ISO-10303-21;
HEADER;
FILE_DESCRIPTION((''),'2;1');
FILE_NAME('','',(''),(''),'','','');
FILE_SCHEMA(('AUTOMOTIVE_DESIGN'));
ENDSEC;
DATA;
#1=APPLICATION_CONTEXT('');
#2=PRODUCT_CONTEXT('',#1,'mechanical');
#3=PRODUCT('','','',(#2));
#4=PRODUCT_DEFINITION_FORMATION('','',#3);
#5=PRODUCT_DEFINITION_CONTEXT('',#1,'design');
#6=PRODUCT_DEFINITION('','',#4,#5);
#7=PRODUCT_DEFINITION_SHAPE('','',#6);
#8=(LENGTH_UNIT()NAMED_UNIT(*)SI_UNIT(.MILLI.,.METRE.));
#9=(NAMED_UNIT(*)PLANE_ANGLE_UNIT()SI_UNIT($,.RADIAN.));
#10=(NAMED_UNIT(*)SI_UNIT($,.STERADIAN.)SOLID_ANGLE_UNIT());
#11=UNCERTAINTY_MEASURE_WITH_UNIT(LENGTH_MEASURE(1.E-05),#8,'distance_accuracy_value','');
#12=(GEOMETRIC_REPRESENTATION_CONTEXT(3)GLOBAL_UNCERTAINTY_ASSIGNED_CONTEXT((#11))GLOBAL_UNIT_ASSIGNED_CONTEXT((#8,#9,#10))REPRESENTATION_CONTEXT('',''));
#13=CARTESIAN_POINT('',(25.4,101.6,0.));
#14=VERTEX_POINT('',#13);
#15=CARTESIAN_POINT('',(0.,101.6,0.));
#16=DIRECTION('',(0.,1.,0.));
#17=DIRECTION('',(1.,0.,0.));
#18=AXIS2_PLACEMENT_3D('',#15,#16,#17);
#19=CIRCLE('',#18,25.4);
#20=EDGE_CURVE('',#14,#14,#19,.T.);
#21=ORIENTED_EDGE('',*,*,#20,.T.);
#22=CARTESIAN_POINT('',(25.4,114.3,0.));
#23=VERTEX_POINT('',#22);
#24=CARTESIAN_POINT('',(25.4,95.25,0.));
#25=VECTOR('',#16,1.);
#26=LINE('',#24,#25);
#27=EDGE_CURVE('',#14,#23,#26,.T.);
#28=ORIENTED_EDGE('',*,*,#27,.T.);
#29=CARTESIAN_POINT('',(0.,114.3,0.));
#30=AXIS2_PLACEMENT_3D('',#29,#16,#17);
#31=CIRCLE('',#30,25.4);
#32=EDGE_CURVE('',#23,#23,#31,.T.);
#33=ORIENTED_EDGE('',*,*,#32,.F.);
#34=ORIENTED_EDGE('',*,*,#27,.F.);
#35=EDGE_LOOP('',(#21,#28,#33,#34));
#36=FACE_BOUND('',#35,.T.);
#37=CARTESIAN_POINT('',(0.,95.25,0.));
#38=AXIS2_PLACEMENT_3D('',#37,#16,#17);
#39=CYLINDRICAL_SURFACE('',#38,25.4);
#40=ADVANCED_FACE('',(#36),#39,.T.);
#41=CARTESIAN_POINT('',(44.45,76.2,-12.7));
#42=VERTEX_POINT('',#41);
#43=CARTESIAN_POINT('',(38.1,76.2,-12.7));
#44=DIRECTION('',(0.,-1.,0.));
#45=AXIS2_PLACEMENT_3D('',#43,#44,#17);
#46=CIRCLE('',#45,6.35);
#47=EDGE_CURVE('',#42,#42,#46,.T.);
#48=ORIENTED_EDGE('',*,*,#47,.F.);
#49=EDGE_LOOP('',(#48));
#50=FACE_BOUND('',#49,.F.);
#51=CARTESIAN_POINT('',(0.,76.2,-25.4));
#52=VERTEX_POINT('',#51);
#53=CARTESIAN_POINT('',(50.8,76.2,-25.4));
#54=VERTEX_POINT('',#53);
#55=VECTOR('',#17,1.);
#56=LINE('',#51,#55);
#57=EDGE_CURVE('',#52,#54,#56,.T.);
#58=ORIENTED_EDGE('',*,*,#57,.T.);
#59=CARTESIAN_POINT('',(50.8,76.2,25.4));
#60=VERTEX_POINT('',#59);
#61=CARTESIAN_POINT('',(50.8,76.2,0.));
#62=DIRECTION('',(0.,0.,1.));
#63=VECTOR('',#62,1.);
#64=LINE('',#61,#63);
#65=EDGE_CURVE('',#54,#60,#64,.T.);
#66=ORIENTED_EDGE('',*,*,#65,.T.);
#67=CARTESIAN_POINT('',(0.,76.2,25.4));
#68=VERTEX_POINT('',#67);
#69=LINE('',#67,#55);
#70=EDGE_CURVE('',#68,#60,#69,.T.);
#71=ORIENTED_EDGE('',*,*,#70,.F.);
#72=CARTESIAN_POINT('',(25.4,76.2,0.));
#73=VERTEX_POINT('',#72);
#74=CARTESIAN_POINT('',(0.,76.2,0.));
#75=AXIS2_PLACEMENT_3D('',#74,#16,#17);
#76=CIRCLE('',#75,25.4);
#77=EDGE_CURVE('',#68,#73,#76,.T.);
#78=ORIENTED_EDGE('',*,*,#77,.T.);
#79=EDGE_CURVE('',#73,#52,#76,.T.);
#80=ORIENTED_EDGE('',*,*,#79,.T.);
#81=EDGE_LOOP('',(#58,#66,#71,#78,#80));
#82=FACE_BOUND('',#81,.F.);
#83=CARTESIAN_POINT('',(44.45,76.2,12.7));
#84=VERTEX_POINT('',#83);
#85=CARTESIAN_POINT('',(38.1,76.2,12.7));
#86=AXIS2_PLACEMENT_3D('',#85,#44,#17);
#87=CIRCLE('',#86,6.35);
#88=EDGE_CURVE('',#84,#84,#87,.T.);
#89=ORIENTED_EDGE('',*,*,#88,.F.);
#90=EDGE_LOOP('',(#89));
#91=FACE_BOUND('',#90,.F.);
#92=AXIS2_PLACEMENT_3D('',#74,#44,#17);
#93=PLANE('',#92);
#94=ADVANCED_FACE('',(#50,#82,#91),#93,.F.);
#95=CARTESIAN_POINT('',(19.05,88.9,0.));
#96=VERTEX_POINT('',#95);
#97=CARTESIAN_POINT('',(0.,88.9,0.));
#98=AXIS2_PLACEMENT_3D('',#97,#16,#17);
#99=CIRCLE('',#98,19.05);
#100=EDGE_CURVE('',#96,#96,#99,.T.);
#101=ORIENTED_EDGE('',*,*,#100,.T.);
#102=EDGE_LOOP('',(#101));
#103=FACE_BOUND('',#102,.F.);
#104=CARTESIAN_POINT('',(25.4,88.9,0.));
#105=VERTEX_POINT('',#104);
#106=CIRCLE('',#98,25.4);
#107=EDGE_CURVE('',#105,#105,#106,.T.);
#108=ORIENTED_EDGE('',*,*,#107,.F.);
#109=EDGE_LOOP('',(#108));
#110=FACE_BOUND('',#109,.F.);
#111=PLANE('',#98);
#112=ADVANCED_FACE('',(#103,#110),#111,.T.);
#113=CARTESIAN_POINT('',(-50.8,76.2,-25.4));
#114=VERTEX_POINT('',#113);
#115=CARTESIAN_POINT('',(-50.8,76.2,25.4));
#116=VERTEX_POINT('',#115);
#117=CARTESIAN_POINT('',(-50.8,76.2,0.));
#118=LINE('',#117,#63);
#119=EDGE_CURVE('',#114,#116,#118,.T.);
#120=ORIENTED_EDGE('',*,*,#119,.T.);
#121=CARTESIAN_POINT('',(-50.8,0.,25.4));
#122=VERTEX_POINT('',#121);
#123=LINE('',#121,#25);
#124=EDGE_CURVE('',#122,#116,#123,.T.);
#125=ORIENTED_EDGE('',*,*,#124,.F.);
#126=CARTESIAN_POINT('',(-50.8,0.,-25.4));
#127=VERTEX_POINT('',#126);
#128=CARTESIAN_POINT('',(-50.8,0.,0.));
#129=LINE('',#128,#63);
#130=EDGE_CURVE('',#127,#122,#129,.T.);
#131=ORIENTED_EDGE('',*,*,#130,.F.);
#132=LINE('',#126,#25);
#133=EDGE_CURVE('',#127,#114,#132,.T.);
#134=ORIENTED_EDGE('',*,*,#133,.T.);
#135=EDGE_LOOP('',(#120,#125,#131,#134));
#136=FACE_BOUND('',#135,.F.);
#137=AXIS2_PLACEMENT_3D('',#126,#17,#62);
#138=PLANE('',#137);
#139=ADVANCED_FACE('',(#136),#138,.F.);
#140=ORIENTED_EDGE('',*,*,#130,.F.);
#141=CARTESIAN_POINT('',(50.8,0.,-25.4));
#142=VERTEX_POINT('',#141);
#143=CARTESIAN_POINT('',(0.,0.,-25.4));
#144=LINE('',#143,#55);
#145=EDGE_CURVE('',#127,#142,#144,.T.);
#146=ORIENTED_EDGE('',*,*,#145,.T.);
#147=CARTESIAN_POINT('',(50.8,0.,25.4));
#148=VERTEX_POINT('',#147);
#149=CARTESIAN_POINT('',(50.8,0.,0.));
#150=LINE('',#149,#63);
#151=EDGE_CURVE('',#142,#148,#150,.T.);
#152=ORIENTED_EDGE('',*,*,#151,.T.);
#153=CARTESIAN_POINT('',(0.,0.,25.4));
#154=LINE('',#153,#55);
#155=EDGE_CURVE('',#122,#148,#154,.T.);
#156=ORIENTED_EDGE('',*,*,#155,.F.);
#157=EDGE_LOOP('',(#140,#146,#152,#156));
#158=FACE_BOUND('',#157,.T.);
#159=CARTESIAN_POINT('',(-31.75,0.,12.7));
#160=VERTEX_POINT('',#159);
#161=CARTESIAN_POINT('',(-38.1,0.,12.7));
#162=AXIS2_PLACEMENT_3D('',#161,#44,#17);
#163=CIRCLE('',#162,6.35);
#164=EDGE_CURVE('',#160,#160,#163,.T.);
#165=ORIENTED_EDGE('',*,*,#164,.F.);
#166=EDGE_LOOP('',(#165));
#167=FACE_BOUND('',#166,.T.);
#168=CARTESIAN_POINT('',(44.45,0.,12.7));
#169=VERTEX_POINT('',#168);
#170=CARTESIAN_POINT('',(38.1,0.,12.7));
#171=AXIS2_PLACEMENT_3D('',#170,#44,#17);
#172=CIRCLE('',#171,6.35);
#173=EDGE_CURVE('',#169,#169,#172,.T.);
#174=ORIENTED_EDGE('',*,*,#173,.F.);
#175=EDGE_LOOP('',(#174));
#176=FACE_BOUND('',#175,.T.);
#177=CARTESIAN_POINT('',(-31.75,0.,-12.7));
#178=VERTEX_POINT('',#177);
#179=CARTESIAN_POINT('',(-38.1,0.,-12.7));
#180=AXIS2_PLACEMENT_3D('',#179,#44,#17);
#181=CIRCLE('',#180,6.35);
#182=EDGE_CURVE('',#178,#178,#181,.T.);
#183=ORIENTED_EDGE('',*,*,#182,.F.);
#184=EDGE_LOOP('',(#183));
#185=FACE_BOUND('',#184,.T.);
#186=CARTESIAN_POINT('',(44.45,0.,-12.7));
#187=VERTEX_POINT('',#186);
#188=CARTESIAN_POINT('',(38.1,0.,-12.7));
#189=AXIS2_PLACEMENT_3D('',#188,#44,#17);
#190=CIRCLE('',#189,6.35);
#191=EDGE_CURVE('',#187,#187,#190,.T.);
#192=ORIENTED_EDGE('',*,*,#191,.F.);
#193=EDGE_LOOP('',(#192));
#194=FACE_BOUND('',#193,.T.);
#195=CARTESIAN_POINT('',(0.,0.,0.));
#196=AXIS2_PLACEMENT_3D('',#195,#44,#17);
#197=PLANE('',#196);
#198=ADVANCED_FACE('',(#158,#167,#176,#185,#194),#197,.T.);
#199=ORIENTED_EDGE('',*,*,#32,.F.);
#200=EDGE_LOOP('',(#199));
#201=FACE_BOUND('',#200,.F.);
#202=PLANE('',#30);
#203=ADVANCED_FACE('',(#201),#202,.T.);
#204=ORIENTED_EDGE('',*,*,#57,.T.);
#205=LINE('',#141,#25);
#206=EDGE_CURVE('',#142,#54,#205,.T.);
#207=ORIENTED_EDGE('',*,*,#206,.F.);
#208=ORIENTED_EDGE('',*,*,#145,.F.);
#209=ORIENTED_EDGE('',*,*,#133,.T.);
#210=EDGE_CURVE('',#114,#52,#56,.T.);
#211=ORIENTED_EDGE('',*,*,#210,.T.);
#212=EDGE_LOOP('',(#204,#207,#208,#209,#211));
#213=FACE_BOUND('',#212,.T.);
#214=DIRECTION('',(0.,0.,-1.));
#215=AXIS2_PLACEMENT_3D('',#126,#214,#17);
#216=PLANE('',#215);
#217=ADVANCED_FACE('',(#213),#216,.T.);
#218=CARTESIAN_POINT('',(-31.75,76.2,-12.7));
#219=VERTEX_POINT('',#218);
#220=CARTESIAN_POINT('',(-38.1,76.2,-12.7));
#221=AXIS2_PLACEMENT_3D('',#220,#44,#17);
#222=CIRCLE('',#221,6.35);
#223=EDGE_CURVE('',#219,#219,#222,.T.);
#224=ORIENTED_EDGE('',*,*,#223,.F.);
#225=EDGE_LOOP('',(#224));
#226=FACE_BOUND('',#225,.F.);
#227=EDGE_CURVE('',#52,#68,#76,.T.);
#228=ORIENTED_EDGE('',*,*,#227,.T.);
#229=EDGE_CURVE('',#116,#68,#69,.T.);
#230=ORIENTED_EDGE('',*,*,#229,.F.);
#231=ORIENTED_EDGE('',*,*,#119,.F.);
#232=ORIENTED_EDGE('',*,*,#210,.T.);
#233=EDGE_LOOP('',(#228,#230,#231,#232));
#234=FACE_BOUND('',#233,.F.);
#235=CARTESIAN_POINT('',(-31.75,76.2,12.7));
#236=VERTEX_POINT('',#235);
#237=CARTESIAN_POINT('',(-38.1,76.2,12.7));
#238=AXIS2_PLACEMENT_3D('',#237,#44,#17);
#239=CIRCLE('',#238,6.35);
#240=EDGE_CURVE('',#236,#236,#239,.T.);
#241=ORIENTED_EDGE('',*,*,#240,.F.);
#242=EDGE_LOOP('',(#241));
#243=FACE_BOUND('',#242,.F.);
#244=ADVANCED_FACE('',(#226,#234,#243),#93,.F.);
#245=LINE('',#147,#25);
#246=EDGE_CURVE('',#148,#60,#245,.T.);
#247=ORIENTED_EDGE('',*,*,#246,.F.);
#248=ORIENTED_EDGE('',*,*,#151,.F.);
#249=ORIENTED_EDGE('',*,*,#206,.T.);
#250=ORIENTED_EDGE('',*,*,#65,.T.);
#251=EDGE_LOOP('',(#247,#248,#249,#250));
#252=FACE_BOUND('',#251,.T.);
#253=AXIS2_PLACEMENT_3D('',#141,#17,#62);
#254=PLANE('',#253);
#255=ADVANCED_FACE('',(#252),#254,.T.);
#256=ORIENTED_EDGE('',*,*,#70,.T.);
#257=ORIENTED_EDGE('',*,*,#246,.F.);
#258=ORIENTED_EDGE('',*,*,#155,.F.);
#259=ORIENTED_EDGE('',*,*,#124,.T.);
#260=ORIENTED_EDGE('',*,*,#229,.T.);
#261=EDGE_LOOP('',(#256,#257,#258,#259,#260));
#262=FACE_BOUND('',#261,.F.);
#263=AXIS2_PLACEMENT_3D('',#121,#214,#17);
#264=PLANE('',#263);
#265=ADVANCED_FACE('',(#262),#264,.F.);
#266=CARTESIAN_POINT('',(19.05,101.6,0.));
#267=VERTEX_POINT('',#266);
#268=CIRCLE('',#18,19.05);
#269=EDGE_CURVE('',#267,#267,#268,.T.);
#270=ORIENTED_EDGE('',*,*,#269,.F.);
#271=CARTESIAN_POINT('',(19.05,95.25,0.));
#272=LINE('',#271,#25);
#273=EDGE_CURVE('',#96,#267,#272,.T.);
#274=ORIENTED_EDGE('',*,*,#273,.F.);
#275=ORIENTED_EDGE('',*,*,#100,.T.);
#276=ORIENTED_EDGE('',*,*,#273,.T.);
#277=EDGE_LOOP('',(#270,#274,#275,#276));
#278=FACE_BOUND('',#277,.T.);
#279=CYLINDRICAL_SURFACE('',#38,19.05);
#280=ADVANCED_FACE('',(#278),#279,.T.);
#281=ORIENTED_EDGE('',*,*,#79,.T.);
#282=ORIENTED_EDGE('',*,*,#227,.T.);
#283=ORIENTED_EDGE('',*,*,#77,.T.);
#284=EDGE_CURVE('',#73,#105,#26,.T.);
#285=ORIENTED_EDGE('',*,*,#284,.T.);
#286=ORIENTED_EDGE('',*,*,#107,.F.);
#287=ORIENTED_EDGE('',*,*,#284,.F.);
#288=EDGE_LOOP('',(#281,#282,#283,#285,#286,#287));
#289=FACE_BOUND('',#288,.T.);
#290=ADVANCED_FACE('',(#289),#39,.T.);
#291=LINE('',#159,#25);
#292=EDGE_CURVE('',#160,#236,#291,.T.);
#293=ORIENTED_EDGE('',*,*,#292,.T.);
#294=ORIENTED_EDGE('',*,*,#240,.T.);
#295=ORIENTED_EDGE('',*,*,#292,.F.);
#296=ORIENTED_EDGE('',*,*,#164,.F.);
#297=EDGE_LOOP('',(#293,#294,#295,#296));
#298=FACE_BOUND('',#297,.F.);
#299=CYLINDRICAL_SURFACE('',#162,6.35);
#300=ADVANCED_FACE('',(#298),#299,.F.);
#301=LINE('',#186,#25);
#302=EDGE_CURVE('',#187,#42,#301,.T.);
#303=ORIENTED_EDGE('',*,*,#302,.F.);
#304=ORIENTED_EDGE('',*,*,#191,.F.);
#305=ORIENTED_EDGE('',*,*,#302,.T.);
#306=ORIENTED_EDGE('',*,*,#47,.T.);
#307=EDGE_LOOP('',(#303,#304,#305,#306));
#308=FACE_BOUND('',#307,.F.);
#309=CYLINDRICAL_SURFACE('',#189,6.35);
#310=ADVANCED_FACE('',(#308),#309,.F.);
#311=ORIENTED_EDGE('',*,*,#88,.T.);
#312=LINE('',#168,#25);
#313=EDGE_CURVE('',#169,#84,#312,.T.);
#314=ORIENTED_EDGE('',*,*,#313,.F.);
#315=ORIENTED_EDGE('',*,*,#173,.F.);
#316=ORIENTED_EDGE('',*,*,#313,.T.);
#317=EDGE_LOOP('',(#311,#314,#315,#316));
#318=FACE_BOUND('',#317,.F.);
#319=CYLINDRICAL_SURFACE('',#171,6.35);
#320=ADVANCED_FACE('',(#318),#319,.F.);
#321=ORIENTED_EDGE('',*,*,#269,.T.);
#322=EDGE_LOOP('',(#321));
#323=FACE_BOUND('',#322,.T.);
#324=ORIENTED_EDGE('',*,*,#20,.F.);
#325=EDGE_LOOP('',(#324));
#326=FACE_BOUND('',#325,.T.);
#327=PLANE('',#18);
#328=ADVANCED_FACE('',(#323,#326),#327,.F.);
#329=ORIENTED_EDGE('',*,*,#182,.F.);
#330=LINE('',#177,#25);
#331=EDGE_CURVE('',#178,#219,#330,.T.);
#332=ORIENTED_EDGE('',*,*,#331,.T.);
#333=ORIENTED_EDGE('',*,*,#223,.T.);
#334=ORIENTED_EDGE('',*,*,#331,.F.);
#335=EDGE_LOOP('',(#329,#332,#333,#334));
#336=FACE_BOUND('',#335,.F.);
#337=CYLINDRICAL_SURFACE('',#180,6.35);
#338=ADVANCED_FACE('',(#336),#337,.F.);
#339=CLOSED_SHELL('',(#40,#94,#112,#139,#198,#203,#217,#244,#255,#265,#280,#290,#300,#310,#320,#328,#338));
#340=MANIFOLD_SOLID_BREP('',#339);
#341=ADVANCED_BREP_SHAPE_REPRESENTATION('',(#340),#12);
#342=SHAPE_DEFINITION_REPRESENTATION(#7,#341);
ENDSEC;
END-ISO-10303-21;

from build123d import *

# Parameters (mm, degrees)
F0_W     = 101.6
F0_H     = 50.8
F1_DEPTH = 76.2
F2_R     = 6.35
F3_DEPTH = 76.201
F4_W     = 25.4
F4_H     = 38.1
F6_W     = 6.35
F6_H     = 12.7


with BuildPart() as f1:
    # F0 (on Front) → F1 (new body)
    with BuildSketch(Plane.XZ):
        Rectangle(F0_W, F0_H)
    extrude(amount=-F1_DEPTH)

    # F2 (on face) → F3 (cut, through all)
    with BuildSketch(Plane.XZ):
        with Locations((-38.1, 12.7)):
            Circle(F2_R)
        with Locations((-38.1, -12.7)):
            Circle(F2_R)
        with Locations((38.1, -12.7)):
            Circle(F2_R)
        with Locations((38.1, 12.7)):
            Circle(F2_R)
    extrude(amount=-F3_DEPTH, mode=Mode.SUBTRACT)

    # F4 (on Top) → F5 (revolve)
    with BuildSketch(Plane.XY):
        with Locations((12.7, 95.25)):
            Rectangle(F4_W, F4_H)
    revolve(axis=Axis((0, 95.25, 0), (0, 1, 0)))

    # F6 (on Top) → F7 (revolve, cut)
    with BuildSketch(Plane.XY):
        with Locations((22.225, 95.25)):
            Rectangle(F6_W, F6_H)
    revolve(axis=Axis((0, 70.217416, 0), (0, 1, 0)), mode=Mode.SUBTRACT)


solid = f1.part
